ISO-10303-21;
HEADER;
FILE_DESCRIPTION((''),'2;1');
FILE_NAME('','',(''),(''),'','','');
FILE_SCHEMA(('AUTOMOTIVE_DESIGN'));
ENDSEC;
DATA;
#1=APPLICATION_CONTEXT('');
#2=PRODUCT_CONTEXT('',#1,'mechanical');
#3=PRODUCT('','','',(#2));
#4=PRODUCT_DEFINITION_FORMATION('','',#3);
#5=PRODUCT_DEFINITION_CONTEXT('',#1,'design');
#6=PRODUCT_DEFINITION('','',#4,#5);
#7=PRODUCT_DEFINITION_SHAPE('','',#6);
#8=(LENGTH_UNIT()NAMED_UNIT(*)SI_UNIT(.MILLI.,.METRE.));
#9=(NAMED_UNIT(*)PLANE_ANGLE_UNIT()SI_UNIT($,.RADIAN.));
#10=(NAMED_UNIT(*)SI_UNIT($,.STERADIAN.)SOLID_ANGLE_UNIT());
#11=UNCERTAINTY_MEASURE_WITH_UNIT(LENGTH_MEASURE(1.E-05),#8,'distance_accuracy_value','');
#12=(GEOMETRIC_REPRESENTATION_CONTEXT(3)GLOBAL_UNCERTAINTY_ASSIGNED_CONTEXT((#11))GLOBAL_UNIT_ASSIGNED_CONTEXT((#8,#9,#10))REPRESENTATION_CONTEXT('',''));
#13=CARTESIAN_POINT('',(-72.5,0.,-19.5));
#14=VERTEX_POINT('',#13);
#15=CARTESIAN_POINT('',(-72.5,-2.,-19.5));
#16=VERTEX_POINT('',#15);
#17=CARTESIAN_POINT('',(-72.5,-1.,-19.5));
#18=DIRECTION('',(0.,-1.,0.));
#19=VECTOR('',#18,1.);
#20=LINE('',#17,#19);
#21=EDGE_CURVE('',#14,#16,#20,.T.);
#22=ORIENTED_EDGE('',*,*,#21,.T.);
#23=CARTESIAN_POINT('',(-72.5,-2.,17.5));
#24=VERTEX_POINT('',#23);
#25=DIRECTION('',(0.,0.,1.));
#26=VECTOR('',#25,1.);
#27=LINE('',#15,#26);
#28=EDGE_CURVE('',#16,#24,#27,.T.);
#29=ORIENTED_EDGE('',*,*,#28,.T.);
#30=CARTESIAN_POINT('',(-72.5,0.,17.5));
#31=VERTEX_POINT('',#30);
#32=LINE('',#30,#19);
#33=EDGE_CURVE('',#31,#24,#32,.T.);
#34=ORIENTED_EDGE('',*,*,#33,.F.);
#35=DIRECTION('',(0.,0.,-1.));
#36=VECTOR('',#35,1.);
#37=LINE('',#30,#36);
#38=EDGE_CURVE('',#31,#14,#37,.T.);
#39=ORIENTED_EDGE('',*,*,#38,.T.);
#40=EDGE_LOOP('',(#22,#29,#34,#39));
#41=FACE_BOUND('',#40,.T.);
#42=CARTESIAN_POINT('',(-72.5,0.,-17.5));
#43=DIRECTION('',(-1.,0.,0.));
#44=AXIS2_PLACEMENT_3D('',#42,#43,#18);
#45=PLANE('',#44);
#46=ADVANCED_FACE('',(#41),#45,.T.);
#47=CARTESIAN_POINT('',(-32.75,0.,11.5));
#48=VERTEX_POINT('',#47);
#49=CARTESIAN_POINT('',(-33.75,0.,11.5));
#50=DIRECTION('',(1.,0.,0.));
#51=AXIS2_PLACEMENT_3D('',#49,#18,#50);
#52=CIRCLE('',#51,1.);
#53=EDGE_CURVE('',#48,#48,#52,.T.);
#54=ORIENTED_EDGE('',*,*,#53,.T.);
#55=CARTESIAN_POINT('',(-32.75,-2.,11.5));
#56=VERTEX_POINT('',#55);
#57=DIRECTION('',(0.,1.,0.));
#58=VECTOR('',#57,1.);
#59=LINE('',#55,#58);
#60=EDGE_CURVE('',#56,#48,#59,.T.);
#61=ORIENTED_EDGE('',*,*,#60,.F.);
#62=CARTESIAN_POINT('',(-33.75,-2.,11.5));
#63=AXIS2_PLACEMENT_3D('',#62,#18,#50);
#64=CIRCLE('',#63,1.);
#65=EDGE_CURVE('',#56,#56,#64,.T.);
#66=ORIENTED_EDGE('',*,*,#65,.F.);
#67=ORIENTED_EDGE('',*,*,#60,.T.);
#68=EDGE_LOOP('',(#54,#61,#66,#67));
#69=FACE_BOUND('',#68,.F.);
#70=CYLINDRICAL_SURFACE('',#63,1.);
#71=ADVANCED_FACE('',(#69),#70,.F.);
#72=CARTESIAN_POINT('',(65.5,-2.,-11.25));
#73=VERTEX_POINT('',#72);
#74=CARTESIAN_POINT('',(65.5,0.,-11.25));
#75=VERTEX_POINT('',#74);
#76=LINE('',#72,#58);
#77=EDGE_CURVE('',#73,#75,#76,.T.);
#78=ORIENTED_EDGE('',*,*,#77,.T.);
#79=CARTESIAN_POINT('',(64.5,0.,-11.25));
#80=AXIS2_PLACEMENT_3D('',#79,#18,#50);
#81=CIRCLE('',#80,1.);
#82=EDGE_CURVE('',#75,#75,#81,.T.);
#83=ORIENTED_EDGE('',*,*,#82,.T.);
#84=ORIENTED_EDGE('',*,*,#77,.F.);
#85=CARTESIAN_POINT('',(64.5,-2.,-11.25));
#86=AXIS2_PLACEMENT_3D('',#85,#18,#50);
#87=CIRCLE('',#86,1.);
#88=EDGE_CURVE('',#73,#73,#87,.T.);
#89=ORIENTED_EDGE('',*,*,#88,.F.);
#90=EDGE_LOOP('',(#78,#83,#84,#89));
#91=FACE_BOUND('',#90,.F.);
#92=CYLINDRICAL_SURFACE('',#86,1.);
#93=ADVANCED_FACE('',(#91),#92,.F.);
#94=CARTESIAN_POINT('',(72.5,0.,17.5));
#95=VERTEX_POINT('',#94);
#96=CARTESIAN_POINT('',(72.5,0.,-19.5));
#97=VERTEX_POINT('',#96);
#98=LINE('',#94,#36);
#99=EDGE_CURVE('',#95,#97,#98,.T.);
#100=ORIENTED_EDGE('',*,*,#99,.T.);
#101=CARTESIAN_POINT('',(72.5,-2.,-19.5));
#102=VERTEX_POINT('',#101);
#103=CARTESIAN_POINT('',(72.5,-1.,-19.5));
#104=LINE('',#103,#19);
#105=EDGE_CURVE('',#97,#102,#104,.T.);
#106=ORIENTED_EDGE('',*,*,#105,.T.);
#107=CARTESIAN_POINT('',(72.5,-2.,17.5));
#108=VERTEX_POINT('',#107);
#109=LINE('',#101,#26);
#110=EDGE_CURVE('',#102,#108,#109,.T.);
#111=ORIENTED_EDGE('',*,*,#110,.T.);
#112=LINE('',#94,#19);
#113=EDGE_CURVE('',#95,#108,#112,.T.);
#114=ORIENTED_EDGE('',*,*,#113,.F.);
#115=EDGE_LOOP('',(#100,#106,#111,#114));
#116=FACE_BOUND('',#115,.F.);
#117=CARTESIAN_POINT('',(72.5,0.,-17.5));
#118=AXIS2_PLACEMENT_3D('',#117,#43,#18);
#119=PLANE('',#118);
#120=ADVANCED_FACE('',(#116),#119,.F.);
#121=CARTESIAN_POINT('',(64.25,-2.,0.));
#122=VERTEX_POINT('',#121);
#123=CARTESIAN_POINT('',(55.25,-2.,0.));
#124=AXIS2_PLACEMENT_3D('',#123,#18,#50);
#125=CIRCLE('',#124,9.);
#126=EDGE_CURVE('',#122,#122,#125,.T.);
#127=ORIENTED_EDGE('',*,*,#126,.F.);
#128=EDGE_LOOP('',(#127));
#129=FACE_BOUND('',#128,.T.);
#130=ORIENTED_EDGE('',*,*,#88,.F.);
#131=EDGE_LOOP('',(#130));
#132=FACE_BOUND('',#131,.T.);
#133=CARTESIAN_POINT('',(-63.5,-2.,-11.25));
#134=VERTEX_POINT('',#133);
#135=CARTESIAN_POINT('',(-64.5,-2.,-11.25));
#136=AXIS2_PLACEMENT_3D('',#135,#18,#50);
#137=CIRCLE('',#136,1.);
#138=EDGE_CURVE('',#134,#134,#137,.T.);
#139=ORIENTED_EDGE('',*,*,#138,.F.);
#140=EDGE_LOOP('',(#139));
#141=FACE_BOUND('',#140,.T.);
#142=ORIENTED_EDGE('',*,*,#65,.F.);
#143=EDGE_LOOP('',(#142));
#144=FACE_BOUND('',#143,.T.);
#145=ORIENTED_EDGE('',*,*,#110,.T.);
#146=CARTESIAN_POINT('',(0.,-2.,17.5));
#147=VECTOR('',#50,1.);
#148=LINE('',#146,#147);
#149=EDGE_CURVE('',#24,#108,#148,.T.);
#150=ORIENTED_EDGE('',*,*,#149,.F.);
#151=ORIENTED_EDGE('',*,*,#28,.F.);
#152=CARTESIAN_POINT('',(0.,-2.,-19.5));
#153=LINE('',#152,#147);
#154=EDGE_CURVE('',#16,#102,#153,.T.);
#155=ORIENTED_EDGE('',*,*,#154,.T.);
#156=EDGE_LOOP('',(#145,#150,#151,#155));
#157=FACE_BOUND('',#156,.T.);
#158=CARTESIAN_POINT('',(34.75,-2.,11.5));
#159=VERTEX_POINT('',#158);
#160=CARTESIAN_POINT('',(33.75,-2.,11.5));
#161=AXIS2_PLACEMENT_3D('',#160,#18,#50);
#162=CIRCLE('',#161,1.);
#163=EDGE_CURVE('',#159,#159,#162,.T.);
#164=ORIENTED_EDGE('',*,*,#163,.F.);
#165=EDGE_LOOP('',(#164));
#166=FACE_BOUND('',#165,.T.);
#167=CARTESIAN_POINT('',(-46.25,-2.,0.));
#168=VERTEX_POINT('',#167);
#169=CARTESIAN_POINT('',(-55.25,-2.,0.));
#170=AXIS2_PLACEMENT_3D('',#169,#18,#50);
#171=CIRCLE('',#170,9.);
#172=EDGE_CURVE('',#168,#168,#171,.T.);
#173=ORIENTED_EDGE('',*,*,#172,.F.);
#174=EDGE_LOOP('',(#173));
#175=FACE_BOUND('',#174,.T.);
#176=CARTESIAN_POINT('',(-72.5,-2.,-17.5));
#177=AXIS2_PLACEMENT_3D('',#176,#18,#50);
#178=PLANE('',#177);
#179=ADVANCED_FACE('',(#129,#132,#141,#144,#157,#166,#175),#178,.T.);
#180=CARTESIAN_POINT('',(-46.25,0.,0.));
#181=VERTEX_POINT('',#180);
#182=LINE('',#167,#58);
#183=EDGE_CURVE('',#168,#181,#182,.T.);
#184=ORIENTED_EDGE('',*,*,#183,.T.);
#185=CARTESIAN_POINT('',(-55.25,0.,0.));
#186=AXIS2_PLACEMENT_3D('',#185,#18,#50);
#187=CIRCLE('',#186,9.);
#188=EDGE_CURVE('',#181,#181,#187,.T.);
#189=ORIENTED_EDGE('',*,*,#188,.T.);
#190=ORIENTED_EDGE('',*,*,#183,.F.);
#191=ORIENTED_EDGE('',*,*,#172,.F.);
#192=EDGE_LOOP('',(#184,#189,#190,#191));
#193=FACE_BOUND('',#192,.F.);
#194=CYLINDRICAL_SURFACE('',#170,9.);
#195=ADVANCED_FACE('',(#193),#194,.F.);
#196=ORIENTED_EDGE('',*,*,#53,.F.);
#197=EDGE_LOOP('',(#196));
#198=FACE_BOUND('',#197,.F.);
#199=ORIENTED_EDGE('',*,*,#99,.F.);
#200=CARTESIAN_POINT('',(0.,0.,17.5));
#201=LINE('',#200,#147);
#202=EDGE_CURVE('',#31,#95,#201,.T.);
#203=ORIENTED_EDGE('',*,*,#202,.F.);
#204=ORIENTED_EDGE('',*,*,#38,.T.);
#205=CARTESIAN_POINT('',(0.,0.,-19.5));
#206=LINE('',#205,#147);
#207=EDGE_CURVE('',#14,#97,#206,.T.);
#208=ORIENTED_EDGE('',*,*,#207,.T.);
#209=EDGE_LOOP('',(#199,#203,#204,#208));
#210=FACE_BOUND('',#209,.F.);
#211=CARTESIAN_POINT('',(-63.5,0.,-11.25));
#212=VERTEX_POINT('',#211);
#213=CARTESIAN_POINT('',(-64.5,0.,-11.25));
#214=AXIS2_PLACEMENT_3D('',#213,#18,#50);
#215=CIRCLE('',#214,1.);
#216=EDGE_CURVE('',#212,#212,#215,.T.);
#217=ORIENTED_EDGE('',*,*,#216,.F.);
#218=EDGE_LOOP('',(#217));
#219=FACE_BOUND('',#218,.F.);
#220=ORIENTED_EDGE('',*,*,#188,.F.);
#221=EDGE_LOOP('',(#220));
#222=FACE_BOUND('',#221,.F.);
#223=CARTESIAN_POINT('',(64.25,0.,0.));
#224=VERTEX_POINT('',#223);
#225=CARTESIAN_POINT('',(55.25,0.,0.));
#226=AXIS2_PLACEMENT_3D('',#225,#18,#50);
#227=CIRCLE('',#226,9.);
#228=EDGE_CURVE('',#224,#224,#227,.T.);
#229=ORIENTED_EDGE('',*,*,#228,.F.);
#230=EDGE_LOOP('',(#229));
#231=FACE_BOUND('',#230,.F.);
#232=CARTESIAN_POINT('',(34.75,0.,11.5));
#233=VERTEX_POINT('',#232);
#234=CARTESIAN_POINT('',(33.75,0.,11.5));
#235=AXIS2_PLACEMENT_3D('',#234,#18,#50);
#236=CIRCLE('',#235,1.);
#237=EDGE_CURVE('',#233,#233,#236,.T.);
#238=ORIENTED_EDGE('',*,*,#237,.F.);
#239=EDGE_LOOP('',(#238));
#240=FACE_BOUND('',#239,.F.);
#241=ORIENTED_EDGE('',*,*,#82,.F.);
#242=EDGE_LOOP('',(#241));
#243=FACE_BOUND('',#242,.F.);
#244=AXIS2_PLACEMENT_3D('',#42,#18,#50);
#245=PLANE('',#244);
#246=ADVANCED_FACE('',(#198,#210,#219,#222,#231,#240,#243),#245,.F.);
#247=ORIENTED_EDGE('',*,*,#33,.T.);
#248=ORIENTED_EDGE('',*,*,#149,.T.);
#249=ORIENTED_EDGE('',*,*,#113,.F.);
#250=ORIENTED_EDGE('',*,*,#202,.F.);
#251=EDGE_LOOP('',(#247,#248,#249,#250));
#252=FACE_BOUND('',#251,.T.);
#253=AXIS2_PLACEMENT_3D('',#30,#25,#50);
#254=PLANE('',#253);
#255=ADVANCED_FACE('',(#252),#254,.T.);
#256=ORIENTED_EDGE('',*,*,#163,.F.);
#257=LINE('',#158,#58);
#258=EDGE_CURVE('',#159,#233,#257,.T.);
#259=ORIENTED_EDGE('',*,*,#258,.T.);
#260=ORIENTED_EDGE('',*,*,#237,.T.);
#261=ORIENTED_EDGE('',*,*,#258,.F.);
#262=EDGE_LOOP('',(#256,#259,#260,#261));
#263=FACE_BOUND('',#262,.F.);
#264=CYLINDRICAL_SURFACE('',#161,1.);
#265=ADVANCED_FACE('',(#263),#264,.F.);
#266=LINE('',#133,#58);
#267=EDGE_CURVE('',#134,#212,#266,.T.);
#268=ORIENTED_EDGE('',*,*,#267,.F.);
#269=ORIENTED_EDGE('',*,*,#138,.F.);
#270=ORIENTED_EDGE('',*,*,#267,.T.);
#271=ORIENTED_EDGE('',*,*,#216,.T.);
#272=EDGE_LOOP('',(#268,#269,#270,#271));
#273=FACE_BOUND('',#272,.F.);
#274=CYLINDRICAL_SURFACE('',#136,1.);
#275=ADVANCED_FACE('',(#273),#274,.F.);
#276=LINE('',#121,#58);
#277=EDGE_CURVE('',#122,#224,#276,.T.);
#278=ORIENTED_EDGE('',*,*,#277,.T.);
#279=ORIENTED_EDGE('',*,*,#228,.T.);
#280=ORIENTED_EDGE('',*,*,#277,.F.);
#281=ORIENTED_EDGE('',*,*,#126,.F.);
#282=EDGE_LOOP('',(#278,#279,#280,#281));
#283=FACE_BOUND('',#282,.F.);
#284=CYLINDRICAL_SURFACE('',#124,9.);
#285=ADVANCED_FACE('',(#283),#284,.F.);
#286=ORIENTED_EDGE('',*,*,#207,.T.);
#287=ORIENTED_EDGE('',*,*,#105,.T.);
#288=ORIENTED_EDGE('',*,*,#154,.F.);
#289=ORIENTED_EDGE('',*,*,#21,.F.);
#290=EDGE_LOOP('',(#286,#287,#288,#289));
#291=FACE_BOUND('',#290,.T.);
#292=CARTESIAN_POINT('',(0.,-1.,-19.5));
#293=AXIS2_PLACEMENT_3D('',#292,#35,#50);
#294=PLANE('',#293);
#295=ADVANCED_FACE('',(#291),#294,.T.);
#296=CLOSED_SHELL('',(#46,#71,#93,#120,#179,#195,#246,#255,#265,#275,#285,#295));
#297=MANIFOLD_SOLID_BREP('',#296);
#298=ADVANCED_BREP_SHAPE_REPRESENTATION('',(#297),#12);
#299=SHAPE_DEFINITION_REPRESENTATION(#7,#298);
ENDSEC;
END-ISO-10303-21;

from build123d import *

# Parameters (mm, degrees)
F0_W     = 145
F0_H     = 35
F1_DEPTH = 2
F2_R     = 1
F3_DEPTH = 25
F4_R     = 1
F5_DEPTH = 25
F6_R     = 9
F7_DEPTH = 25
F8_W     = 145
F8_H     = 2
F9_DEPTH = 2


with BuildPart() as f1:
    # F0 (on Front) → F1 (new body)
    with BuildSketch(Plane.XZ):
        Rectangle(F0_W, F0_H)
    extrude(amount=F1_DEPTH)

    # F2 (on face) → F3 (cut)
    with BuildSketch(Plane.XZ.offset(2)):
        with Locations((-33.75, 11.5)):
            Circle(F2_R)
        with Locations((33.75, 11.5)):
            Circle(F2_R)
    extrude(amount=-F3_DEPTH, mode=Mode.SUBTRACT)

    # F4 (on face) → F5 (cut)
    with BuildSketch(Plane.XZ.offset(2)):
        with Locations((-64.5, -11.25)):
            Circle(F4_R)
        with Locations((64.5, -11.25)):
            Circle(F4_R)
    extrude(amount=-F5_DEPTH, mode=Mode.SUBTRACT)

    # F6 (on face) → F7 (cut)
    with BuildSketch(Plane.XZ.offset(2)):
        with Locations((-55.25, 0)):
            Circle(F6_R)
        with Locations((55.25, 0)):
            Circle(F6_R)
    extrude(amount=-F7_DEPTH, mode=Mode.SUBTRACT)

    # F8 (on face) → F9 (join)
    with BuildSketch(Plane(origin=(0, 0, -17.5), x_dir=(1, 0, 0), z_dir=(0, 0, -1))):
        with Locations((0, 1)):
            Rectangle(F8_W, F8_H)
    extrude(amount=F9_DEPTH)


solid = f1.part
